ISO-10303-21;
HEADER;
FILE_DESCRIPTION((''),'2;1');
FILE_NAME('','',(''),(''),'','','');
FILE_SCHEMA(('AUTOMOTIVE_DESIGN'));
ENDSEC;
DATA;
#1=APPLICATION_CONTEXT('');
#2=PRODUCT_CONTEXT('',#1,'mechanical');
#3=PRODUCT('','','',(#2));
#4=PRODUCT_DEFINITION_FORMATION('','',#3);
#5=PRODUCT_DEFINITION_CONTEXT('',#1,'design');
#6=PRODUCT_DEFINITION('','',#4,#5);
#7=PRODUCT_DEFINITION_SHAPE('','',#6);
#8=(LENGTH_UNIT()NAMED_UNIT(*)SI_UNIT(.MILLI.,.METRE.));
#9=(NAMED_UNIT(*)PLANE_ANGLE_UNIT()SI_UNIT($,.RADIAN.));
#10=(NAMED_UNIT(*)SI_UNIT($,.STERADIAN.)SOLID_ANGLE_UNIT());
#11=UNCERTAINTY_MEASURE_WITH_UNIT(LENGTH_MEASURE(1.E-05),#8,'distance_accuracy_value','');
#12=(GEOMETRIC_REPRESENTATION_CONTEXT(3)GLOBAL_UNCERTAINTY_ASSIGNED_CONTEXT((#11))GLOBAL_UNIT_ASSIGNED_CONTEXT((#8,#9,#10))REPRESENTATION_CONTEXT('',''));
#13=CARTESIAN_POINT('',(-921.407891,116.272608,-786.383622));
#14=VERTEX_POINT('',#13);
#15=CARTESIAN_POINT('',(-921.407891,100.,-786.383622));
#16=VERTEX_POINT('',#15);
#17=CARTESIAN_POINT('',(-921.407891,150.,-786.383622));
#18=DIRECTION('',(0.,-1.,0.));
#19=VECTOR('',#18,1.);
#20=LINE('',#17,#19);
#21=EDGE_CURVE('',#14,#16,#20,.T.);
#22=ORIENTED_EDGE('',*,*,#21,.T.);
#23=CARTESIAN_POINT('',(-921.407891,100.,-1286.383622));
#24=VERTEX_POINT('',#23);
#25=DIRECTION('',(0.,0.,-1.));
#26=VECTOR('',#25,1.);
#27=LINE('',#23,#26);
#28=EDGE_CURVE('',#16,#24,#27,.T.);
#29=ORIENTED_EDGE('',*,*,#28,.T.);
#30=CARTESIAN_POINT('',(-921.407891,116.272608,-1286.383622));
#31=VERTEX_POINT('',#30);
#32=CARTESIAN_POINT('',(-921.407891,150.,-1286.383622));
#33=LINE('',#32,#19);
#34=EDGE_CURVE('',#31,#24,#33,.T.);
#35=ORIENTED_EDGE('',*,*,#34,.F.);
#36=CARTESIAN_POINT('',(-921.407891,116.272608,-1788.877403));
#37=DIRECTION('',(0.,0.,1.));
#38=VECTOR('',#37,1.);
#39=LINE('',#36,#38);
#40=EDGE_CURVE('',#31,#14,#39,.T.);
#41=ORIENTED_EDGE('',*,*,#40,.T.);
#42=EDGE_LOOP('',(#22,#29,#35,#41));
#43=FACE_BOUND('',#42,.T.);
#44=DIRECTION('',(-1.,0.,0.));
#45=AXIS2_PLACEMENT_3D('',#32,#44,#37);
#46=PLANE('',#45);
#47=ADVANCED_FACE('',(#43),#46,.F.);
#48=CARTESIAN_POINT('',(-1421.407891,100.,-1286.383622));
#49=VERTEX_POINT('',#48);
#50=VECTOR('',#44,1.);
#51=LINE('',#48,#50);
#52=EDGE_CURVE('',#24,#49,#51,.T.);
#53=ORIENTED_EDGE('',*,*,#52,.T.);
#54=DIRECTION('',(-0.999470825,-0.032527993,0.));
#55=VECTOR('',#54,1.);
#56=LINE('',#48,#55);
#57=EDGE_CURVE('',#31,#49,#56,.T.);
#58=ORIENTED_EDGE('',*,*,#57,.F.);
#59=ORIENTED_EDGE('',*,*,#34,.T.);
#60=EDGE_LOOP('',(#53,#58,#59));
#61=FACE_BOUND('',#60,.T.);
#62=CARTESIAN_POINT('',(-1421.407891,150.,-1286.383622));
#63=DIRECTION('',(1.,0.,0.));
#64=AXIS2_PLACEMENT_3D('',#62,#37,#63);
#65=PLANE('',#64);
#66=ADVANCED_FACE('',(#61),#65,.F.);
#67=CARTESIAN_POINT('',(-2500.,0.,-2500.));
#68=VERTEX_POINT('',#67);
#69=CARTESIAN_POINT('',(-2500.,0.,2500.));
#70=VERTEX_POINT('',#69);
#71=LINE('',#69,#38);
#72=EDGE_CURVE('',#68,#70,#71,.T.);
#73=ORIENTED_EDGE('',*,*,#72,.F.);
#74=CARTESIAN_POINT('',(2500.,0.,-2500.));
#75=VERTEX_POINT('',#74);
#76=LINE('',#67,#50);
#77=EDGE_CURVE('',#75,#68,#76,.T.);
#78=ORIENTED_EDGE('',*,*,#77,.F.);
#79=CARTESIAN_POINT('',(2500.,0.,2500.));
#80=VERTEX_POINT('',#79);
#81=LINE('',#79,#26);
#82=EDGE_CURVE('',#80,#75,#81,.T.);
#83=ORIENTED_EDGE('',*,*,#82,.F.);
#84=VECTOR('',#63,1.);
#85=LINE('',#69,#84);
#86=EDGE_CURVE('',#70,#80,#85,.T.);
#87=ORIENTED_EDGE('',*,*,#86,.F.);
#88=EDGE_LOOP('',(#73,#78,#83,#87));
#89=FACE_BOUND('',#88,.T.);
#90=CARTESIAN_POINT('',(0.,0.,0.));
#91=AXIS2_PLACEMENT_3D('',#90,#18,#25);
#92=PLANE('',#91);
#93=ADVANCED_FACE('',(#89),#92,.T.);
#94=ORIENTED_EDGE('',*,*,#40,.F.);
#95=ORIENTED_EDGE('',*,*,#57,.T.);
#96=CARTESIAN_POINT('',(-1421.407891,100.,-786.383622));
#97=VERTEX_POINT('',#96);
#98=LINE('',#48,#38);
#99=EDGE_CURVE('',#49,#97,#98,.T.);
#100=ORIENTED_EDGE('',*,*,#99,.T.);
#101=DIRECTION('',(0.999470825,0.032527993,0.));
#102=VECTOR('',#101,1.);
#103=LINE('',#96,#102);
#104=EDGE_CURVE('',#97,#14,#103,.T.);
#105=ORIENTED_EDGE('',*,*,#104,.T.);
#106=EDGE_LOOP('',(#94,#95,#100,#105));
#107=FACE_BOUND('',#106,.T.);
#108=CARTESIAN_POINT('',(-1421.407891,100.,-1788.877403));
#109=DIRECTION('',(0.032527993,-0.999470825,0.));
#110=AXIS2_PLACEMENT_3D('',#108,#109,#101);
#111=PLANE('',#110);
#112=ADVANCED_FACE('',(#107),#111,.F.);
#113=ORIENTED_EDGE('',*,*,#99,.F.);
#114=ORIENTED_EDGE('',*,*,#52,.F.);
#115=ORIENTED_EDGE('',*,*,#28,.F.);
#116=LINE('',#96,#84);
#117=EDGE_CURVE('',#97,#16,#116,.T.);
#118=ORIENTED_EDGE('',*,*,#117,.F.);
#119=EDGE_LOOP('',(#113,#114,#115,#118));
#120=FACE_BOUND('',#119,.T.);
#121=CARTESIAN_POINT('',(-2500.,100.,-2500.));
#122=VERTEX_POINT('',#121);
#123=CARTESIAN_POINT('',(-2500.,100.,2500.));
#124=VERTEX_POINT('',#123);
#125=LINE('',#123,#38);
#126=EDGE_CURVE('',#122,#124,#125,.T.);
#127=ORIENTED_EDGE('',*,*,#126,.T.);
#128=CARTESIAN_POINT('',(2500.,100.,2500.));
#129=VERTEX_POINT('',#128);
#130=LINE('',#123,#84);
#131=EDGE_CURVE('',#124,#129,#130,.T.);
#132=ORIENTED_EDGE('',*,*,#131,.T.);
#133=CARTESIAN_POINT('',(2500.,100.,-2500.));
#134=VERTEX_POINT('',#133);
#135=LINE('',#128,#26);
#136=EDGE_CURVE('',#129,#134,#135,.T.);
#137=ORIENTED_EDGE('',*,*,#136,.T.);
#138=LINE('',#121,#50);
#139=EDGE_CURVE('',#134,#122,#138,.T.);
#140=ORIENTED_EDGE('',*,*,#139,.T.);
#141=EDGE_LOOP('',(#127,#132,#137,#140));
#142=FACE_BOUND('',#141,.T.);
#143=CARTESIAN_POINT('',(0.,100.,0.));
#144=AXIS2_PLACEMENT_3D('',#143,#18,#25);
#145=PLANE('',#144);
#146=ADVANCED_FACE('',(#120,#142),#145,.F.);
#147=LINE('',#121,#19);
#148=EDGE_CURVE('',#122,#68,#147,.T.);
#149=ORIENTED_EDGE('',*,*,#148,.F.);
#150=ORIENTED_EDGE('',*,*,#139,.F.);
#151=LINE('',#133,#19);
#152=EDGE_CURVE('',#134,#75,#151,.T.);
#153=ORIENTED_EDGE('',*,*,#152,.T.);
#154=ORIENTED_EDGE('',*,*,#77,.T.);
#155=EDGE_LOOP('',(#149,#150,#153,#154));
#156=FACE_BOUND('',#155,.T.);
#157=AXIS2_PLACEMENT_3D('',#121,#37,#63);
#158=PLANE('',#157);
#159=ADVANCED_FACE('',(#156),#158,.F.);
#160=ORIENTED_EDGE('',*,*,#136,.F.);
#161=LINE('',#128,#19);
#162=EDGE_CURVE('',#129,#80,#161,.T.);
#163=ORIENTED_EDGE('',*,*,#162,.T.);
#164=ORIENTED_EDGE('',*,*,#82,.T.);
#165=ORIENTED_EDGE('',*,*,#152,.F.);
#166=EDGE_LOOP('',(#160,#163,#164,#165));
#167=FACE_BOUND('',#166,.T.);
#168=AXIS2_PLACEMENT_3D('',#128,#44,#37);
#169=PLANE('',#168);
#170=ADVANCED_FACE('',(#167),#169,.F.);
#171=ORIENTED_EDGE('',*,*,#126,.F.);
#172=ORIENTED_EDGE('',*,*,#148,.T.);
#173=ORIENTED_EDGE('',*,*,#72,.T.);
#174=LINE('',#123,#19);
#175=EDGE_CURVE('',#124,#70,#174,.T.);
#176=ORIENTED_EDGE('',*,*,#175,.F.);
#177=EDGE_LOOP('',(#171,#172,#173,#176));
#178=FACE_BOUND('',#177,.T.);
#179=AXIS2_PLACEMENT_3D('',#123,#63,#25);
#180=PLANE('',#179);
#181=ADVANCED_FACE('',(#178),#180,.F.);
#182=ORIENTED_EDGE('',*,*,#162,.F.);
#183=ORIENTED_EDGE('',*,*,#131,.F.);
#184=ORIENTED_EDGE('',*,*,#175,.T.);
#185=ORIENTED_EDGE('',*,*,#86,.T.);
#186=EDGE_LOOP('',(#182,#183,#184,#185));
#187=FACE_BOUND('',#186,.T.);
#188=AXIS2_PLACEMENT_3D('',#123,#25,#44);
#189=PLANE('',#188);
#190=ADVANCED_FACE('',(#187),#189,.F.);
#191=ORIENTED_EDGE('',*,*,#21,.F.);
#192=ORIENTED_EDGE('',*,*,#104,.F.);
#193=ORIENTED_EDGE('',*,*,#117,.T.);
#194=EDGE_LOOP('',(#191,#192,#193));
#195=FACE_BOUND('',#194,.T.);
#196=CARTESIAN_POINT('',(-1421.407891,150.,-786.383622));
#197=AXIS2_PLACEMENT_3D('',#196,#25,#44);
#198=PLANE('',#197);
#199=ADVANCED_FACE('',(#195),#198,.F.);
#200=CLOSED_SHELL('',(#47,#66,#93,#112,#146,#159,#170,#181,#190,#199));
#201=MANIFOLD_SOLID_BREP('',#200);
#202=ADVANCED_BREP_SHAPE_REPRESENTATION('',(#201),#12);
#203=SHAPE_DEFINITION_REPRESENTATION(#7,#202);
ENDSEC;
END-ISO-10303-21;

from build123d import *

# Parameters (mm, degrees)
SKETCH1_W           = 5000
SKETCH1_H           = 5000
BOSS_EXTRUDE1_DEPTH = 100
SKETCH2_W           = 500
SKETCH2_H           = 500
BOSS_EXTRUDE2_DEPTH = 50
CUT_EXTRUDE1_DEPTH  = 500


with BuildPart() as part:
    # Sketch1 → Boss-Extrude1 (new body)
    with BuildSketch(Plane(origin=(0, 0, 0), x_dir=(1, 0, 0), z_dir=(0, 1, 0))):
        Rectangle(SKETCH1_W, SKETCH1_H)
    extrude(amount=BOSS_EXTRUDE1_DEPTH)

    # Sketch2 → Boss-Extrude2 (add)
    with BuildSketch(Plane(origin=(0, 100, 0), x_dir=(1, 0, 0), z_dir=(0, 1, 0))):
        with Locations((-1171.407890826, 1036.383622217)):
            Rectangle(SKETCH2_W, SKETCH2_H)
    extrude(amount=BOSS_EXTRUDE2_DEPTH)

    # Sketch3 → Cut-Extrude1 (cut)
    with BuildSketch(Plane.XY.offset(-786.383622217)):
        Polygon((-1421.407890826, 100), (-921.407890826, 116.272607691), (-921.407890826, 150), (-1421.407890826, 150), align=None)
    extrude(amount=-CUT_EXTRUDE1_DEPTH, mode=Mode.SUBTRACT)


solid = part.part
